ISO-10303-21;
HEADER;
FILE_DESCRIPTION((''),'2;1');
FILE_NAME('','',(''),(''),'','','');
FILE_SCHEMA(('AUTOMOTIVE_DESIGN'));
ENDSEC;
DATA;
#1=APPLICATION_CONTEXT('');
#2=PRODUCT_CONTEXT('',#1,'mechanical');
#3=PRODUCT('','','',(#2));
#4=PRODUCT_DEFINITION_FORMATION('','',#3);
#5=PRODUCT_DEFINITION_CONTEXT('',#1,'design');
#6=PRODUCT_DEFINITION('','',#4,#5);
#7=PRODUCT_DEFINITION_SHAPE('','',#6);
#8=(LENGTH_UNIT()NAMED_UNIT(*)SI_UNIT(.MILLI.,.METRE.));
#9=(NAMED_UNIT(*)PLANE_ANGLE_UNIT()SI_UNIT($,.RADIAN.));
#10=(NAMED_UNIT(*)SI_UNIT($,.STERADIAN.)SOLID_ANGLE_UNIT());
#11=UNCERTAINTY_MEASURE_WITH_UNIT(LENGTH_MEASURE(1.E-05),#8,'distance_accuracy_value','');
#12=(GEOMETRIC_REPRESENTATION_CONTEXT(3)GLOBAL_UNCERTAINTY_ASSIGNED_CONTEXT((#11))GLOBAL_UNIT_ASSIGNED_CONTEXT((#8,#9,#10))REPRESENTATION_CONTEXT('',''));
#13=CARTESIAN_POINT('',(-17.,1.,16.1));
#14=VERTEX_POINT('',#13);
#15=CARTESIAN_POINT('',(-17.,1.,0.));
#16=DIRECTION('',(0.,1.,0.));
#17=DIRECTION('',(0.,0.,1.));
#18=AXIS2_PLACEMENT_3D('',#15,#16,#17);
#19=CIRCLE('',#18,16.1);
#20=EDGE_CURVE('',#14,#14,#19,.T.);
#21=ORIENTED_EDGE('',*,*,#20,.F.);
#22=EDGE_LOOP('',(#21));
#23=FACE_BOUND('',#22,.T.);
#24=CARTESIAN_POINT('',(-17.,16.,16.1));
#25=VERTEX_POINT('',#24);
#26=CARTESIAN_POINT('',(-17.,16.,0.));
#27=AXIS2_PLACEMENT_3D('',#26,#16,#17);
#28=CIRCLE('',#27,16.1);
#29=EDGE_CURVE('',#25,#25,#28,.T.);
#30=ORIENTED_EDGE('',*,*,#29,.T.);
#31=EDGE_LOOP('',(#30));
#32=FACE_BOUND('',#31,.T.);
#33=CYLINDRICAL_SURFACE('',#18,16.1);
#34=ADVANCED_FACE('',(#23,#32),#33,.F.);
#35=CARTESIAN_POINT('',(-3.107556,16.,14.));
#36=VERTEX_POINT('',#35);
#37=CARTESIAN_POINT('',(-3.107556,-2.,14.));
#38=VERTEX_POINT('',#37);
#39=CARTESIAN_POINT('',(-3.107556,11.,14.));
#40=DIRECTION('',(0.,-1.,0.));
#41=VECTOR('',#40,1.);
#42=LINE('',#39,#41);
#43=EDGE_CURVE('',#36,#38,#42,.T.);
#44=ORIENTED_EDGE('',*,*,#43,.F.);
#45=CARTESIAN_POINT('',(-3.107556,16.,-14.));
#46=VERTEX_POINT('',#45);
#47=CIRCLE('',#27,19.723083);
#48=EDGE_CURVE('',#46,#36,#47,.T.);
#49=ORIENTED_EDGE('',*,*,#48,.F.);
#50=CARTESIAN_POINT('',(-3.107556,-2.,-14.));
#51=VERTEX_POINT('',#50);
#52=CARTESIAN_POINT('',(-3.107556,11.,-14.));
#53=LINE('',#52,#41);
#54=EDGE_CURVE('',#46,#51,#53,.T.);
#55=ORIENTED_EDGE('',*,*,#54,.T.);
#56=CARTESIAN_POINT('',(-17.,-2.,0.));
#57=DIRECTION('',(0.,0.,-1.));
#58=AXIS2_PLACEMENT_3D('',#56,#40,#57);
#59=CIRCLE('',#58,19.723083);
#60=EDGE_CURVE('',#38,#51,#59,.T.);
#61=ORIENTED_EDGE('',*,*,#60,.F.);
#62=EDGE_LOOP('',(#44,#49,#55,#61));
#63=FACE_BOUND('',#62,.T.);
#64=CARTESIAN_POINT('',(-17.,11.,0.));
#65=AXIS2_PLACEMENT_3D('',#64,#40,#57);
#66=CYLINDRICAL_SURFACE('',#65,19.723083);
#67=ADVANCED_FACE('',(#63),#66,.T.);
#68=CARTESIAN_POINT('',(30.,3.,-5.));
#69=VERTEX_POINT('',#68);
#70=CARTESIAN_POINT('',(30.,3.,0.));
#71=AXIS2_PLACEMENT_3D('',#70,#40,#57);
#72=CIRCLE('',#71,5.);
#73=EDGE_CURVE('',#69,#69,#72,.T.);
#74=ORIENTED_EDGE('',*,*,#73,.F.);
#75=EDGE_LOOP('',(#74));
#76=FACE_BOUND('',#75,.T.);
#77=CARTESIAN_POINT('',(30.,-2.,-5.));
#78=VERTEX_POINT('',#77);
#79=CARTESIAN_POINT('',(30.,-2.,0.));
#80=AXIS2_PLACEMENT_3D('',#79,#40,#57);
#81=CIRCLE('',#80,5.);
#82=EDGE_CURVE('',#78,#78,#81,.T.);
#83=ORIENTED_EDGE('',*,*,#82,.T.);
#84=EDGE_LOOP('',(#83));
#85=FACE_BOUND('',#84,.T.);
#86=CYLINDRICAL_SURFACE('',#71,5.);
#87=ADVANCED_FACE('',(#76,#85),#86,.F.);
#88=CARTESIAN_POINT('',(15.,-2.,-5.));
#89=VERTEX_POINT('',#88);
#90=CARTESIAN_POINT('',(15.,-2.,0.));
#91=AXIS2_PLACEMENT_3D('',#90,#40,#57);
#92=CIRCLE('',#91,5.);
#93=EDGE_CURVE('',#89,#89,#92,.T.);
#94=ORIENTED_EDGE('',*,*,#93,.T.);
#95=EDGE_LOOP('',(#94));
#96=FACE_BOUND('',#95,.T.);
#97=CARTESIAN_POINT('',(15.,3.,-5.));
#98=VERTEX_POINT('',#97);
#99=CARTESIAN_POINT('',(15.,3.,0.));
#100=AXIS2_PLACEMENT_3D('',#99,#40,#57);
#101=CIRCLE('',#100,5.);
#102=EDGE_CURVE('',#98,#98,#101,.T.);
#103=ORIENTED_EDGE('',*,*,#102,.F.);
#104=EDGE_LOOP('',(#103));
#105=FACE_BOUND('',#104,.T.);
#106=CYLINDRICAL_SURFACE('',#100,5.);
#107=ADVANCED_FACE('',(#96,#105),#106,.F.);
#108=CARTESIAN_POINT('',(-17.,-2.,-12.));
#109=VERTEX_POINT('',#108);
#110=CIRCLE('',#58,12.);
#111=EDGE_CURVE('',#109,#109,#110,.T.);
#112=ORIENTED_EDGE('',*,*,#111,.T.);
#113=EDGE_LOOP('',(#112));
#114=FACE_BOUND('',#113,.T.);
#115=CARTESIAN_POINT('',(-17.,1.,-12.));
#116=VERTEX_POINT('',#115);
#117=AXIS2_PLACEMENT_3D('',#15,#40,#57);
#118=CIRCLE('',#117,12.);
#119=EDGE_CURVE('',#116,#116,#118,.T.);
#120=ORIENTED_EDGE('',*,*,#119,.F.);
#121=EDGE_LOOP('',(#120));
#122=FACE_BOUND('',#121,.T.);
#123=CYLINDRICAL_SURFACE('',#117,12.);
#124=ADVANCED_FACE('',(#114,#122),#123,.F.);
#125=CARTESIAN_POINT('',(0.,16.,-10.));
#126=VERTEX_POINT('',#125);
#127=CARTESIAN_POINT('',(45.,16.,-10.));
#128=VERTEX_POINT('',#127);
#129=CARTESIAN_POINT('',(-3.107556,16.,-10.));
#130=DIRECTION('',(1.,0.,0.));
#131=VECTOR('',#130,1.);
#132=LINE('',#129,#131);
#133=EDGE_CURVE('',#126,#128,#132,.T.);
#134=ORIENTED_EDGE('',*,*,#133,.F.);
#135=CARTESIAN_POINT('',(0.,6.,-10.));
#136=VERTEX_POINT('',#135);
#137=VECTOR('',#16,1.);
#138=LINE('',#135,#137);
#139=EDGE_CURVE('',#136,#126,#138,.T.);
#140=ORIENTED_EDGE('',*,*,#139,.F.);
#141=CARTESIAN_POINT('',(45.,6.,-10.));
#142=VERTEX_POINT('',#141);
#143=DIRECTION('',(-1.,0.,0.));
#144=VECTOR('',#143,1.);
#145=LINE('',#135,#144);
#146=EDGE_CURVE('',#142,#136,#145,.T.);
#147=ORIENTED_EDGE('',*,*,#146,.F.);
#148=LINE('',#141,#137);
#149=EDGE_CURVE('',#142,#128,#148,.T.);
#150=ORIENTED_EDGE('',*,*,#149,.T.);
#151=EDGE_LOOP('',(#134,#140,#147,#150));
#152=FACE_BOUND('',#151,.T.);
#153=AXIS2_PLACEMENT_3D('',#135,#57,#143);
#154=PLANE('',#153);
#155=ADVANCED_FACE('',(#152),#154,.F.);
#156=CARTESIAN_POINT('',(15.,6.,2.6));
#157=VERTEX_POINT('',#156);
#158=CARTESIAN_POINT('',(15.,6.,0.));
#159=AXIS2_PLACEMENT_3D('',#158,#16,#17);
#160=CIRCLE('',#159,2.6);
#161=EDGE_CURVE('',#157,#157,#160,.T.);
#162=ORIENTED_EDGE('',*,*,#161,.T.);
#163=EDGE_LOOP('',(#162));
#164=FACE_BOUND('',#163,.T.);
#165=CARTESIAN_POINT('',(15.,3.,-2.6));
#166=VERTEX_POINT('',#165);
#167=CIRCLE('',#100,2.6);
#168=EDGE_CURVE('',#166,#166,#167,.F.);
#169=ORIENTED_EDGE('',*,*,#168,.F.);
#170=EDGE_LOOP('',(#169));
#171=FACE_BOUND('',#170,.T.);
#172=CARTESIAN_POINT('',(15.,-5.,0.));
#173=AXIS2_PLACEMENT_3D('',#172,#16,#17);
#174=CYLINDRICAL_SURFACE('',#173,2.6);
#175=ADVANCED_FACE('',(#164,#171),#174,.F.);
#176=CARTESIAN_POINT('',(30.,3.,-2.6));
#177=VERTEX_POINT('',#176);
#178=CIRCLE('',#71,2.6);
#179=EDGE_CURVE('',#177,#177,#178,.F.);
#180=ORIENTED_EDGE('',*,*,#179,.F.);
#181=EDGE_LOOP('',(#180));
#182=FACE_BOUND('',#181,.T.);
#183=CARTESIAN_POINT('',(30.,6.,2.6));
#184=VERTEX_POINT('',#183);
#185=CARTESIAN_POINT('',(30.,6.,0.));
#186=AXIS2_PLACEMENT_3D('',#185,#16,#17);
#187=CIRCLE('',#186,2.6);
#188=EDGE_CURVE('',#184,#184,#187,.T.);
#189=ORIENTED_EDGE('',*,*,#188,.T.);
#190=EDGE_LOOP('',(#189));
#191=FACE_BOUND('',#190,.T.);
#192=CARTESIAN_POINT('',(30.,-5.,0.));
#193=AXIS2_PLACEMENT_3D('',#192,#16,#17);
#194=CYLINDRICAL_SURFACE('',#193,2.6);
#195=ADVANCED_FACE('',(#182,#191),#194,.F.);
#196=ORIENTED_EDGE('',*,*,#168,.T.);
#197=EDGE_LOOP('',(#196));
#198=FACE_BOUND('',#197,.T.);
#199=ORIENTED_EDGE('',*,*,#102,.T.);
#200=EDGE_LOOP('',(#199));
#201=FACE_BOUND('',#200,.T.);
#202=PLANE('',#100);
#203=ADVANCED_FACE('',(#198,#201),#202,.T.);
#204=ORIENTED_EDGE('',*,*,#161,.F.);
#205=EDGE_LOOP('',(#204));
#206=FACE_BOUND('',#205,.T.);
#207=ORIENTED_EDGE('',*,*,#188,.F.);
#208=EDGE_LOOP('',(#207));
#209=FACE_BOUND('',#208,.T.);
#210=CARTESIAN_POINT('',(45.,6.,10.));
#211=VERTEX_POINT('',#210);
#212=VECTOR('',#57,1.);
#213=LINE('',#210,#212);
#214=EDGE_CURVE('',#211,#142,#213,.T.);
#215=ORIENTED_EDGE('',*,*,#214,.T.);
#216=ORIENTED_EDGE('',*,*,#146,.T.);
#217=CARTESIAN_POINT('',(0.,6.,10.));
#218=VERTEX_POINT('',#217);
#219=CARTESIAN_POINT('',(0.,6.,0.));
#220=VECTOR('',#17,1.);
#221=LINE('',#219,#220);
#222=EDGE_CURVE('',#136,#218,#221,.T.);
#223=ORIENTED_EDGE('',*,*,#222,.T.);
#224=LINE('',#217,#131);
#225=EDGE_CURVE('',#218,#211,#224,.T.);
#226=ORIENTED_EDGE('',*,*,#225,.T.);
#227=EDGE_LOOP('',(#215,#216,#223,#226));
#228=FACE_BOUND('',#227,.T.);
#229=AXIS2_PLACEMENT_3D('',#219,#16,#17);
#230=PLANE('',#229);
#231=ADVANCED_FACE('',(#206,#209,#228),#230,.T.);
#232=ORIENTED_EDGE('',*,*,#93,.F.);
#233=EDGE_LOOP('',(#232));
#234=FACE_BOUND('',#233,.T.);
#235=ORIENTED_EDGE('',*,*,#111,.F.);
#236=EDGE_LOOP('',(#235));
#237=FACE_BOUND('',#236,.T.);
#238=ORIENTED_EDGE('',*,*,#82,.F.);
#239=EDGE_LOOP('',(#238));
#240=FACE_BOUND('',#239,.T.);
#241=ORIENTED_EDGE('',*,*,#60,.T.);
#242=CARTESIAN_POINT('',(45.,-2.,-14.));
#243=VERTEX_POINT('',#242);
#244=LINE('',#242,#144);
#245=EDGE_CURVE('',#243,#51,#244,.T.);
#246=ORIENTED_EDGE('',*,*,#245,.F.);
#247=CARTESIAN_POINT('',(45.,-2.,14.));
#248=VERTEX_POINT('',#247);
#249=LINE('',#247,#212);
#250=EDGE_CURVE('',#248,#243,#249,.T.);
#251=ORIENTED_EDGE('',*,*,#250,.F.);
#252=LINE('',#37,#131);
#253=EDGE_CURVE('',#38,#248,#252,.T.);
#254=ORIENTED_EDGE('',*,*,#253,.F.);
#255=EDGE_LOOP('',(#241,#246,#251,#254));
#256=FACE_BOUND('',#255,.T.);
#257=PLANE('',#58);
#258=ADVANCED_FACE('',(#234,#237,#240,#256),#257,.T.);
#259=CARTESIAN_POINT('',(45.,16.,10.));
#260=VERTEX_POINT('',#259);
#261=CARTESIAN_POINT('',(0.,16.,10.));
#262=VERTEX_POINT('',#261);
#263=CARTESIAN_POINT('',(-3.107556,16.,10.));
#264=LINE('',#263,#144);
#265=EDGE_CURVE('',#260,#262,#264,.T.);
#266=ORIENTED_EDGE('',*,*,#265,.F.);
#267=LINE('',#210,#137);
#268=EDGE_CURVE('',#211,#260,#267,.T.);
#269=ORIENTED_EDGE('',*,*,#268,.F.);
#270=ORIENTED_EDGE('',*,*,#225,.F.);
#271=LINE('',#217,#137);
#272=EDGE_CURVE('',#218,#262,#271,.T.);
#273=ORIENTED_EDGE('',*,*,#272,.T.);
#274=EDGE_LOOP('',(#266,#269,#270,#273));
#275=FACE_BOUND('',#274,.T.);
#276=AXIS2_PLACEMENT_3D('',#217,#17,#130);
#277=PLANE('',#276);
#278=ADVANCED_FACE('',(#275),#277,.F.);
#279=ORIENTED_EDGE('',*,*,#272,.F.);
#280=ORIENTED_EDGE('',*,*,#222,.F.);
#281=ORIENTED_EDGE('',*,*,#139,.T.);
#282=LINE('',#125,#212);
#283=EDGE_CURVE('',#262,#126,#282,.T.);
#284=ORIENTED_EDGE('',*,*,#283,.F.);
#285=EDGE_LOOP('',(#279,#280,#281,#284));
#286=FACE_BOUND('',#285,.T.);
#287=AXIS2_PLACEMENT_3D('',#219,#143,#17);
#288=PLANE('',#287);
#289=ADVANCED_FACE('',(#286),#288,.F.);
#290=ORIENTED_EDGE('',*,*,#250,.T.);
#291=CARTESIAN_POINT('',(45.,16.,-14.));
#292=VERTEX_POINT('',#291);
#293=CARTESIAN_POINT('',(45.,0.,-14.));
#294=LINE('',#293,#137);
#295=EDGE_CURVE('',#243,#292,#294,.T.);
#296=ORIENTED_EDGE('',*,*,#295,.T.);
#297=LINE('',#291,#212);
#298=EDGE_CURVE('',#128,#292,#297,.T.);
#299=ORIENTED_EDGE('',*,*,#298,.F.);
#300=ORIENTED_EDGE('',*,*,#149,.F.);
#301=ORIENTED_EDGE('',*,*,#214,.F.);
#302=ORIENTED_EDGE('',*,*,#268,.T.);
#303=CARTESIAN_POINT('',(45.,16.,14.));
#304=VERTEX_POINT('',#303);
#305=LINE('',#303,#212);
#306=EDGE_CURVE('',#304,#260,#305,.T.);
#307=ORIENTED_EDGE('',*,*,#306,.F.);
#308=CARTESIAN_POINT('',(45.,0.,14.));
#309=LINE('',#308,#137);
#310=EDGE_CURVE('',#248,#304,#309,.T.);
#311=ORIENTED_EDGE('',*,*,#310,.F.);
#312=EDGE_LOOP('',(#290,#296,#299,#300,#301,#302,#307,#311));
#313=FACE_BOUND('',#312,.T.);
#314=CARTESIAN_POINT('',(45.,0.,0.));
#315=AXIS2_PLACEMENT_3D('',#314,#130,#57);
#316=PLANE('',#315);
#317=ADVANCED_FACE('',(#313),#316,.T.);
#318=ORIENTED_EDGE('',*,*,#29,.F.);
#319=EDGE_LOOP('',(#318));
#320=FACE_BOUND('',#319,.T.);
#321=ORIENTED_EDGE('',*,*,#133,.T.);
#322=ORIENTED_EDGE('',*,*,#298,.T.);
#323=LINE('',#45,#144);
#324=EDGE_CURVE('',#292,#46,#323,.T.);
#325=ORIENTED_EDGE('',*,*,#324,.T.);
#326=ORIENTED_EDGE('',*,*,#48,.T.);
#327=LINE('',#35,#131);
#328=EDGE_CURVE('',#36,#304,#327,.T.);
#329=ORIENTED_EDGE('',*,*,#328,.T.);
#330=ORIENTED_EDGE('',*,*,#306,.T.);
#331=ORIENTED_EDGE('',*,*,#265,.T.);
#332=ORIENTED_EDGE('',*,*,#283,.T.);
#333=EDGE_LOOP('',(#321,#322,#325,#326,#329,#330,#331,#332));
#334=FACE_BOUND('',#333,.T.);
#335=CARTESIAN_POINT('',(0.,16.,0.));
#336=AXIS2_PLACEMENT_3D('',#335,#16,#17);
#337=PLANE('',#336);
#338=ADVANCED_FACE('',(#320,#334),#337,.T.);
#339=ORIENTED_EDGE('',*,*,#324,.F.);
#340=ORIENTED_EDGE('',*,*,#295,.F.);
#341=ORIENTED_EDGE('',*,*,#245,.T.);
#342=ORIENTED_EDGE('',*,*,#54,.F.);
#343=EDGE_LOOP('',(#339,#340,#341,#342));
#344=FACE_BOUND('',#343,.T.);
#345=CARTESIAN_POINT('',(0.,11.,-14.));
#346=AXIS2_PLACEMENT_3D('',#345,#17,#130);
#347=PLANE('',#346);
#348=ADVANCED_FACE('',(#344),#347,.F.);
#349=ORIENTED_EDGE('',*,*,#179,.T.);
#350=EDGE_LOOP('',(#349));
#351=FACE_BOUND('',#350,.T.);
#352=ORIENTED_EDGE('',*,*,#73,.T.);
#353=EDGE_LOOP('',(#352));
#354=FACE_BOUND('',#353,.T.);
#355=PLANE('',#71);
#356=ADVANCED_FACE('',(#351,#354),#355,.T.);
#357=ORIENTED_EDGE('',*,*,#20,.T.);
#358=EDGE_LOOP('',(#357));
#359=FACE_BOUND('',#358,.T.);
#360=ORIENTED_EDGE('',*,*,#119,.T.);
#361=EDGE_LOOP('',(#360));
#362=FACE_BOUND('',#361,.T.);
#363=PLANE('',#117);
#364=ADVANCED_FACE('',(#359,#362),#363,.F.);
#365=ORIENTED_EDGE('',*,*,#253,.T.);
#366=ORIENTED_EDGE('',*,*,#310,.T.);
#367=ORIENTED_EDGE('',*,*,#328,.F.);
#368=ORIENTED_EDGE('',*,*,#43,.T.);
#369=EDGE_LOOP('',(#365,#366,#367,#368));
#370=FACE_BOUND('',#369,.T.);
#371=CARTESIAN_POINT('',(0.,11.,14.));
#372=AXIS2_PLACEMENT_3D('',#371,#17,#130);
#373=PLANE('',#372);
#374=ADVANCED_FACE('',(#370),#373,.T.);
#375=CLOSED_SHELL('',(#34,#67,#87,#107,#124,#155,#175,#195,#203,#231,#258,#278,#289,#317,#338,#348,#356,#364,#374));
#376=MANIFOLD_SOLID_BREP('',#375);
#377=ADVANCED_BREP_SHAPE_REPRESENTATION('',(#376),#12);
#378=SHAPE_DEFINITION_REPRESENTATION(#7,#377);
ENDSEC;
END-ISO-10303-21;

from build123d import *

# Parameters (mm, degrees)
SKETCH_1_R          = 16
EXTRUDE_2_DEPTH     = 11
CUT_EXTRUDE_1_DEPTH = 5
SKETCH_4_W          = 5
SKETCH_4_H          = 4
CUT_EXTRUDE_2_DEPTH = 11
SKETCH_5_R          = 2.6
CUT_EXTRUDE_3_DEPTH = 11
SKETCH_6_R          = 5
CUT_EXTRUDE_4_DEPTH = 3
SKETCH_8_R          = 16
SKETCH_8_R_2        = 12
EXTRUDE_5_DEPTH     = 1
EXTRUDE_START       = 2
SKETCH_9_R          = 12
SKETCH_9_R_2        = 5
EXTRUDE_6_DEPTH     = 2
SKETCH_10_R         = 16.1
CUT_EXTRUDE_5_DEPTH = 10
SKETCH_12_W         = 48.107556011
SKETCH_12_H         = 4
EXTRUDE_7_DEPTH     = 5
SKETCH_13_R         = 16.1
EXTRUDE_8_DEPTH     = 5


with BuildPart() as part:
    # 草图1 → 凸台-拉伸2 (new body)
    with BuildSketch(Plane(origin=(0, 0, 0), x_dir=(1, 0, 0), z_dir=(0, 1, 0))):
        with BuildLine():
            Line((50, 14), (-3.107556011, 14))
            ThreePointArc((-3.107556011, 14), (-36.723082923, 0), (-3.107556011, -14))
            Line((-3.107556011, -14), (50, -14))
            Line((50, -14), (50, -10))
            Line((50, -10), (50, 10))
            Line((50, 10), (50, 14))
        make_face()
        with Locations(Location((-17, 0, 0), (0, 0, 270))):
            Circle(SKETCH_1_R, mode=Mode.SUBTRACT)
    extrude(amount=EXTRUDE_2_DEPTH)

    # 草图3 → 切除-拉伸1 (cut)
    with BuildSketch(Plane(origin=(0, 11, 0), x_dir=(1, 0, 0), z_dir=(0, 1, 0))):
        Polygon((0, 0), (0, 10), (45, 10), (45, -10), (0, -10), align=None)
    extrude(amount=-CUT_EXTRUDE_1_DEPTH, mode=Mode.SUBTRACT)

    # 草图4 → 切除-拉伸2 (cut)
    with BuildSketch(Plane(origin=(0, 11, 0), x_dir=(1, 0, 0), z_dir=(0, 1, 0))):
        with Locations((47.5, 12)):
            Rectangle(SKETCH_4_W, SKETCH_4_H)
        Polygon((45, -14), (50, -14), (50, 10), (45, 10), (45, -10), align=None)
    extrude(amount=-CUT_EXTRUDE_2_DEPTH, mode=Mode.SUBTRACT)

    # 草图5 → 切除-拉伸3 (cut)
    with BuildSketch(Plane(origin=(0, 6, 0), x_dir=(1, 0, 0), z_dir=(0, 1, 0))):
        with Locations(Location((15, 0, 0), (0, 0, 270))):
            Circle(SKETCH_5_R)
        with Locations(Location((30, 0, 0), (0, 0, 270))):
            Circle(SKETCH_5_R)
    extrude(amount=-CUT_EXTRUDE_3_DEPTH, mode=Mode.SUBTRACT)

    # 草图6 → 切除-拉伸4 (cut)
    with BuildSketch(Plane.XZ):
        with Locations(Location((15, 0, 0), (0, 0, 270))):
            Circle(SKETCH_6_R)
        with Locations(Location((30, 0, 0), (0, 0, 270))):
            Circle(SKETCH_6_R)
    extrude(amount=-CUT_EXTRUDE_4_DEPTH, mode=Mode.SUBTRACT)

    # 草图8 → 凸台-拉伸5 (add)
    with BuildSketch(Plane(origin=(0, 0, 0), x_dir=(-1, 0, 0), z_dir=(0, -1, 0))):
        with Locations(Location((17, 0, 0), (0, 0, 90))):
            Circle(SKETCH_8_R)
        with Locations(Location((17, 0, 0), (0, 0, 90))):
            Circle(SKETCH_8_R_2, mode=Mode.SUBTRACT)
    extrude(amount=-EXTRUDE_5_DEPTH)

    # 草图9 → 凸台-拉伸6 (add)
    with BuildSketch(Plane.XZ.offset(EXTRUDE_START)):
        with BuildLine():
            Line((-3.107556011, 14), (45, 14))
            Line((45, 14), (45, -14))
            Line((45, -14), (-3.107556011, -14))
            ThreePointArc((-3.107556011, -14), (-36.723082923, 0), (-3.107556011, 14))
        make_face()
        with Locations(Location((-17, 0, 0), (0, 0, 270))):
            Circle(SKETCH_9_R, mode=Mode.SUBTRACT)
        with Locations(Location((15, 0, 0), (0, 0, 270))):
            Circle(SKETCH_9_R_2, mode=Mode.SUBTRACT)
        with Locations(Location((30, 0, 0), (0, 0, 270))):
            Circle(SKETCH_9_R_2, mode=Mode.SUBTRACT)
    extrude(amount=-EXTRUDE_6_DEPTH)

    # 草图10 → 切除-拉伸5 (cut)
    with BuildSketch(Plane(origin=(0, 11, 0), x_dir=(1, 0, 0), z_dir=(0, 1, 0))):
        with Locations(Location((-17, 0, 0), (0, 0, 270))):
            Circle(SKETCH_10_R)
    extrude(amount=-CUT_EXTRUDE_5_DEPTH, mode=Mode.SUBTRACT)

    # 草图12 → 凸台-拉伸7 (add)
    with BuildSketch(Plane(origin=(0, 11, 0), x_dir=(1, 0, 0), z_dir=(0, 1, 0))):
        with Locations((20.946221995, 12)):
            Rectangle(SKETCH_12_W, SKETCH_12_H)
        with Locations((20.946221995, -12)):
            Rectangle(SKETCH_12_W, SKETCH_12_H)
    extrude(amount=EXTRUDE_7_DEPTH)

    # 草图13 → 凸台-拉伸8 (add)
    with BuildSketch(Plane(origin=(0, 11, 0), x_dir=(1, 0, 0), z_dir=(0, 1, 0))):
        with BuildLine():
            Line((-3.107556011, 14), (0, 10))
            Line((0, 10), (0, -10))
            ThreePointArc((0, -10), (-36.559799946, -2.532632245), (-3.107556011, 14))
        make_face()
        with Locations(Location((-17, 0, 0), (0, 0, 270))):
            Circle(SKETCH_13_R, mode=Mode.SUBTRACT)
    extrude(amount=EXTRUDE_8_DEPTH)


solid = part.part
